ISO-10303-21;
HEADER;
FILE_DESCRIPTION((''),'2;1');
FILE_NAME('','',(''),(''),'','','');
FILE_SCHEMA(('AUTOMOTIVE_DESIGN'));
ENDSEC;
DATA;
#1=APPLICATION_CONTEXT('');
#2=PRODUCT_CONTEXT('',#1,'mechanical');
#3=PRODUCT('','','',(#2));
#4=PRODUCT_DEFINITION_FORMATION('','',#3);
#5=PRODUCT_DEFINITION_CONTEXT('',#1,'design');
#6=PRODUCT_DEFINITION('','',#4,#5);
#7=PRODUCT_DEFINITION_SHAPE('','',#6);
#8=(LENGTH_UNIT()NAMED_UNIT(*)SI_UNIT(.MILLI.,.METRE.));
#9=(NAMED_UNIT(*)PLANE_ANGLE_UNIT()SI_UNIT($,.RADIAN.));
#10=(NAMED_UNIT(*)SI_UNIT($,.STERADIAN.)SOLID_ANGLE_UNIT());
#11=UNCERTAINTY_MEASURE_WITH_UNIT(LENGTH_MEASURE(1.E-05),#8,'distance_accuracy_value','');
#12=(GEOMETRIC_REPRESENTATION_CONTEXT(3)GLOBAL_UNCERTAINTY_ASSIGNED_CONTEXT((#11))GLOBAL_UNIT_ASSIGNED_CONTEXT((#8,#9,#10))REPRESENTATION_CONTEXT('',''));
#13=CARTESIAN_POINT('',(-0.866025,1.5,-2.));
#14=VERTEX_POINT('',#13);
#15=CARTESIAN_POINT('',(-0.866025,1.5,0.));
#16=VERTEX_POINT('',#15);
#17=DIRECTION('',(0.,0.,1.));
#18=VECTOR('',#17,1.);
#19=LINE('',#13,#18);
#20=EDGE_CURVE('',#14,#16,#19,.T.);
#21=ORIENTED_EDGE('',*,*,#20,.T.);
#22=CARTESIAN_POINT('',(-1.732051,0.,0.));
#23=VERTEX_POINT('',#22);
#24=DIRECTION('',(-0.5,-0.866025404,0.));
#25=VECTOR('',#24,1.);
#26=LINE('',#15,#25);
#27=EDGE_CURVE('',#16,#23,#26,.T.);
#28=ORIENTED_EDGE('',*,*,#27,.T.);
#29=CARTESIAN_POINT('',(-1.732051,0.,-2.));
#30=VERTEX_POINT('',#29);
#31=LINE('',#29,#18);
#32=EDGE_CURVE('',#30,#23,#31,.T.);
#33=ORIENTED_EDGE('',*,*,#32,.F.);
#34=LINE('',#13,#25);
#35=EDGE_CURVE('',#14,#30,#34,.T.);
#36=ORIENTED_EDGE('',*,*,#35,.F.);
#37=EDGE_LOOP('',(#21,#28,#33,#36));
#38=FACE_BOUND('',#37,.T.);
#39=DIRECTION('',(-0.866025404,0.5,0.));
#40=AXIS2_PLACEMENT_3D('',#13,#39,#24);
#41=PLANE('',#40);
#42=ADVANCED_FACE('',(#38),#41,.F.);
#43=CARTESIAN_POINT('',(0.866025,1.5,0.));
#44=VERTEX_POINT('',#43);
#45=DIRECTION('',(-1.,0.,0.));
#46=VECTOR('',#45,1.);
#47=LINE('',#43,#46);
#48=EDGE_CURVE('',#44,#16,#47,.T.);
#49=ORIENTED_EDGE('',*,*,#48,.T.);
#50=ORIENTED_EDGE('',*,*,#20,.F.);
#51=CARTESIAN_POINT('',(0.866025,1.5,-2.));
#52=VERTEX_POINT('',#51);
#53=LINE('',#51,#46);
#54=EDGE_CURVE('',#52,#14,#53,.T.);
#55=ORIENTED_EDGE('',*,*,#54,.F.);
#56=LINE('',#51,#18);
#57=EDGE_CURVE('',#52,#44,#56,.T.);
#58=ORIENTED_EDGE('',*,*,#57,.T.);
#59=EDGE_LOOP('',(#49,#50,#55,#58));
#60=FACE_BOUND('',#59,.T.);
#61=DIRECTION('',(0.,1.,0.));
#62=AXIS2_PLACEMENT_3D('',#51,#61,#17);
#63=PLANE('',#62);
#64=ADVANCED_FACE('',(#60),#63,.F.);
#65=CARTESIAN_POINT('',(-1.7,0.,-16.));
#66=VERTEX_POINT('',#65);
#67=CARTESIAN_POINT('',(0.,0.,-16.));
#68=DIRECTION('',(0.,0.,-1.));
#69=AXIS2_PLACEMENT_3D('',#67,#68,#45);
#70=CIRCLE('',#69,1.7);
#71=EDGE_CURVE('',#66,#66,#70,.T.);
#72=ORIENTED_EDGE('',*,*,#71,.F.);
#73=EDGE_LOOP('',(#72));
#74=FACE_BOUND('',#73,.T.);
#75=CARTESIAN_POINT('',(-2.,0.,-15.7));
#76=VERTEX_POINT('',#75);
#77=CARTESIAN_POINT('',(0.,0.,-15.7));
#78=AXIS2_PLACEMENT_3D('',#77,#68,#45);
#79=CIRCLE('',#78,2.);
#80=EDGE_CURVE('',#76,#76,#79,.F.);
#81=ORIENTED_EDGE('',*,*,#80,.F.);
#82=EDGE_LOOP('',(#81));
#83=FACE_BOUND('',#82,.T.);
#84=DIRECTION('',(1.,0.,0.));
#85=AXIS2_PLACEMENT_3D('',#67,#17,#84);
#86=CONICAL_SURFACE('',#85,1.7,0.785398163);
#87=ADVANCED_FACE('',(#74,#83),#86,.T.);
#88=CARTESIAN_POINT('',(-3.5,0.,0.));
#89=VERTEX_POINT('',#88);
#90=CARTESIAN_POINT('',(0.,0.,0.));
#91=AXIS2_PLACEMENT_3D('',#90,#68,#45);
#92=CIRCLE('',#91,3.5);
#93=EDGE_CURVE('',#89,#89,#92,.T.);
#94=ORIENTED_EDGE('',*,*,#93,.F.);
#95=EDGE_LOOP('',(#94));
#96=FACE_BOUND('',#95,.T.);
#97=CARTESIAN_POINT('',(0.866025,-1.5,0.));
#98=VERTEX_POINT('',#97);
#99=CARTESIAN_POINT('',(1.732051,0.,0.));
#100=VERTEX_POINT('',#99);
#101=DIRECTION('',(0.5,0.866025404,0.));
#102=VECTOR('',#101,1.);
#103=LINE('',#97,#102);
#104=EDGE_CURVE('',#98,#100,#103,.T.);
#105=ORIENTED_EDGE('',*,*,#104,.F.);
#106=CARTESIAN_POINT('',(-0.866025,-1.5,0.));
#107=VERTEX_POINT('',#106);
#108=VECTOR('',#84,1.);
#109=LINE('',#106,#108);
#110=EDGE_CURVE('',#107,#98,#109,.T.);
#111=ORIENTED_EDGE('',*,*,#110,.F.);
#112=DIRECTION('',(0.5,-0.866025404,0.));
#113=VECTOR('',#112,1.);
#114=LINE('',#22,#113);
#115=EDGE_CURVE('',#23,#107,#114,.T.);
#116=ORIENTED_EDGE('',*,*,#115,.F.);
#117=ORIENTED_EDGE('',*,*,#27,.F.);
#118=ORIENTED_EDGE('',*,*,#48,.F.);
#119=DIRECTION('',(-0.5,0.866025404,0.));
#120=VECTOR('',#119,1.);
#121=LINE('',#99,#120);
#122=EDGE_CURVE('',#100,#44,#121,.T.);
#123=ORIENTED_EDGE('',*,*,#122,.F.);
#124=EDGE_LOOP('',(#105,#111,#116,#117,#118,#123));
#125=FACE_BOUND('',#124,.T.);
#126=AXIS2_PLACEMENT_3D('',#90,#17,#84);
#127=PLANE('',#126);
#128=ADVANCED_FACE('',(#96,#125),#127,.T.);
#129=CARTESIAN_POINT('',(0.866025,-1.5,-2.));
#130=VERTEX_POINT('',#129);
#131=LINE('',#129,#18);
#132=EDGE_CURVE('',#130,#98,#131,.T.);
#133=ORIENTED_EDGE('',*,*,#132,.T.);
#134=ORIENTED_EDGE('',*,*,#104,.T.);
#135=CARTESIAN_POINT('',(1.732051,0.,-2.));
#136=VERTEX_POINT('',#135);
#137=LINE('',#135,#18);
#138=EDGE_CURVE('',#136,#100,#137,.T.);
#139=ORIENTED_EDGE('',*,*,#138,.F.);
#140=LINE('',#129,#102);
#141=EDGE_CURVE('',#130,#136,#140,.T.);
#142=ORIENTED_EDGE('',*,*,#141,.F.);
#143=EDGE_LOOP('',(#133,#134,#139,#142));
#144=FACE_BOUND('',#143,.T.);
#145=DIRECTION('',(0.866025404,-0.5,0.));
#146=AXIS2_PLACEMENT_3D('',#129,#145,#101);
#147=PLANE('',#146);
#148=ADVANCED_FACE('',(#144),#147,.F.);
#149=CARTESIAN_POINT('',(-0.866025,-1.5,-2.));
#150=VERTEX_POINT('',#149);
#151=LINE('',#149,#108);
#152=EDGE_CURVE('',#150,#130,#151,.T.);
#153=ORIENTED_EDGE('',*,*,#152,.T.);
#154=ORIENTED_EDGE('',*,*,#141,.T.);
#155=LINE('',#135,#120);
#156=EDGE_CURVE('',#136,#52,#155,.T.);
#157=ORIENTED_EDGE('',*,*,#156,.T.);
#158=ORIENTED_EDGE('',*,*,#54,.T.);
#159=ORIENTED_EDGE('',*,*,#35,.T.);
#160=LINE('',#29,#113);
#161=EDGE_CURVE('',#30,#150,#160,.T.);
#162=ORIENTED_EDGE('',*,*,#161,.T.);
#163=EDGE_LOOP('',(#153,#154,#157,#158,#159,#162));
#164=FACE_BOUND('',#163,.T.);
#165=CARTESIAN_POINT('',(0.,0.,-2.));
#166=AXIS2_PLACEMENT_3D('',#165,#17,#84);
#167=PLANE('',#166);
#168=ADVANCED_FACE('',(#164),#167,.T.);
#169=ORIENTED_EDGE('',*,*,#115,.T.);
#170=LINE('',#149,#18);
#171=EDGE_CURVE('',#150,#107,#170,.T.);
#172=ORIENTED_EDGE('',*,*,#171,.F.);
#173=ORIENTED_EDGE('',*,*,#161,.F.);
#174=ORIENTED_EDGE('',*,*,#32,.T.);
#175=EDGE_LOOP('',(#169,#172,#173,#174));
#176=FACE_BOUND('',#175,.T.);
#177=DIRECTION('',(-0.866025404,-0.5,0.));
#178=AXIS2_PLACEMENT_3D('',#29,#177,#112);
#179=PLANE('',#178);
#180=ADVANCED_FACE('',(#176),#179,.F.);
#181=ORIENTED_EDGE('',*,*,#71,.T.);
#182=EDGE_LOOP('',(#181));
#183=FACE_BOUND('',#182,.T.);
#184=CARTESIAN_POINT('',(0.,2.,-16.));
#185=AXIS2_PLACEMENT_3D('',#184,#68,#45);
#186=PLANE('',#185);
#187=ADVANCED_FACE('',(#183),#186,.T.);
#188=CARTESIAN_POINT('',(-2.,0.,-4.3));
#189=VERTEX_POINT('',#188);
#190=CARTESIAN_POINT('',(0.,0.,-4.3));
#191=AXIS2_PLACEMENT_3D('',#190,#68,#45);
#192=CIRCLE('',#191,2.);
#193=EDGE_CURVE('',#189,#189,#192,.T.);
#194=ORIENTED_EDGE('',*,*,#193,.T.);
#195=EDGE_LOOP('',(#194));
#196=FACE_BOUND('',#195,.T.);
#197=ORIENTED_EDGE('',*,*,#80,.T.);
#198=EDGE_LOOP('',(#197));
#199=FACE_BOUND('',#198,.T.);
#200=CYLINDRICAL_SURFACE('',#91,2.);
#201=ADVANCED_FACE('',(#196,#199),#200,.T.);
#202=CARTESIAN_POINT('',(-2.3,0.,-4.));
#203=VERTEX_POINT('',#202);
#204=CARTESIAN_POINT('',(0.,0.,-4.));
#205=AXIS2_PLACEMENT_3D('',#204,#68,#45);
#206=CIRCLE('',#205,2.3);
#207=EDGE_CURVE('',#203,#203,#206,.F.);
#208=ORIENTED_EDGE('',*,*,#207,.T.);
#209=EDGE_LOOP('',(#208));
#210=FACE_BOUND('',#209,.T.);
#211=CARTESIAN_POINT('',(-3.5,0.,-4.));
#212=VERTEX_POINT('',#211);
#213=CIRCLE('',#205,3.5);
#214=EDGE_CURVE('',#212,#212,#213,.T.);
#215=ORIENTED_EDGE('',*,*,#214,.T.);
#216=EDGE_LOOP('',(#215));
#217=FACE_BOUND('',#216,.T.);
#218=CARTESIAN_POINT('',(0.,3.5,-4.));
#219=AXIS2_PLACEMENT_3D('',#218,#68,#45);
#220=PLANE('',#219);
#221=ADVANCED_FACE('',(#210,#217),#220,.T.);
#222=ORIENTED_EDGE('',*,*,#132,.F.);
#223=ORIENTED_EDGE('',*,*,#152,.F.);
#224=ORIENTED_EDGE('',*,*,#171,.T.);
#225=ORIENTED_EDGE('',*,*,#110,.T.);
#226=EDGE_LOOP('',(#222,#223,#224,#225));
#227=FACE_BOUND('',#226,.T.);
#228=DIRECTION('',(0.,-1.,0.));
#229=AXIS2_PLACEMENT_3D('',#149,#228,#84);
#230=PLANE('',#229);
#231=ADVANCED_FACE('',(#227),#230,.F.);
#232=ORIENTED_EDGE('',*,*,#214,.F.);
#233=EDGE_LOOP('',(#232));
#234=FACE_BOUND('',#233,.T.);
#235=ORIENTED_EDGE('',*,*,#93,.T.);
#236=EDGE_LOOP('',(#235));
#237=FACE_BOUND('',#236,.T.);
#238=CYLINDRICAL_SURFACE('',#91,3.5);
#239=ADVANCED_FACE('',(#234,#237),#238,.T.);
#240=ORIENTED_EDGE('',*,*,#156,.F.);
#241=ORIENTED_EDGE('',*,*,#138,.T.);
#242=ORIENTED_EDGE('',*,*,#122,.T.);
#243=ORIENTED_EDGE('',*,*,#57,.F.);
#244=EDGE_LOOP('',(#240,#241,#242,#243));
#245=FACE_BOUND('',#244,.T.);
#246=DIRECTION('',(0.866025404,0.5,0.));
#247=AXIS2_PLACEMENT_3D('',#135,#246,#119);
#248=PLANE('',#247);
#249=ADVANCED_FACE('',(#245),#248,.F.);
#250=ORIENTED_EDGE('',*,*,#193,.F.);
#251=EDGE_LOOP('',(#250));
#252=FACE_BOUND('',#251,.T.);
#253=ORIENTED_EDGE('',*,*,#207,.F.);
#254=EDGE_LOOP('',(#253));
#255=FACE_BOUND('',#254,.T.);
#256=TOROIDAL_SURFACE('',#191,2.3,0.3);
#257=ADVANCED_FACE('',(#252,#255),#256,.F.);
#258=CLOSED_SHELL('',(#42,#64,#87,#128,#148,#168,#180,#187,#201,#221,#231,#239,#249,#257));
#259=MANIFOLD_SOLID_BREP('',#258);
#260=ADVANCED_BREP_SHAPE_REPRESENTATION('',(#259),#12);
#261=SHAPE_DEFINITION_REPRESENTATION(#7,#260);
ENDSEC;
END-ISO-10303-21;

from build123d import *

# Parameters (mm, degrees)
CUT_EXTRUDE_1_DEPTH = 2
FILLET_1_R          = 0.3
CHAMFER_1_SIZE      = 0.3


with BuildPart() as part:
    # Эскиз1 → Повернуть1 (revolve)
    with BuildSketch(Plane(origin=(0, 0, 0), x_dir=(0, 0, -1), z_dir=(1, 0, 0))):
        Polygon((0, 0), (0, 3.5), (4, 3.5), (4, 2), (16, 2), (16, 0), align=None)
    revolve(axis=Axis((0, 0, 0), (0, 0, 1)))

    # Эскиз2 → Вырез-Вытянуть1 (cut)
    with BuildSketch(Plane.XY):
        Polygon((1.732050808, 0), (0.866025404, 1.5), (-0.866025404, 1.5), (-1.732050808, 0), (-0.866025404, -1.5), (0.866025404, -1.5), align=None)
    extrude(amount=-CUT_EXTRUDE_1_DEPTH, mode=Mode.SUBTRACT)

    # Скругление1
    fillet_1_edges = [part.edges().sort_by_distance(p)[0] for p in [
        (0, -2, -4),
    ]]
    fillet(fillet_1_edges, radius=FILLET_1_R)

    # Фаска1
    chamfer_1_edges = [part.edges().sort_by_distance(p)[0] for p in [
        (0, -2, -16),
    ]]
    chamfer(chamfer_1_edges, length=CHAMFER_1_SIZE)


solid = part.part
